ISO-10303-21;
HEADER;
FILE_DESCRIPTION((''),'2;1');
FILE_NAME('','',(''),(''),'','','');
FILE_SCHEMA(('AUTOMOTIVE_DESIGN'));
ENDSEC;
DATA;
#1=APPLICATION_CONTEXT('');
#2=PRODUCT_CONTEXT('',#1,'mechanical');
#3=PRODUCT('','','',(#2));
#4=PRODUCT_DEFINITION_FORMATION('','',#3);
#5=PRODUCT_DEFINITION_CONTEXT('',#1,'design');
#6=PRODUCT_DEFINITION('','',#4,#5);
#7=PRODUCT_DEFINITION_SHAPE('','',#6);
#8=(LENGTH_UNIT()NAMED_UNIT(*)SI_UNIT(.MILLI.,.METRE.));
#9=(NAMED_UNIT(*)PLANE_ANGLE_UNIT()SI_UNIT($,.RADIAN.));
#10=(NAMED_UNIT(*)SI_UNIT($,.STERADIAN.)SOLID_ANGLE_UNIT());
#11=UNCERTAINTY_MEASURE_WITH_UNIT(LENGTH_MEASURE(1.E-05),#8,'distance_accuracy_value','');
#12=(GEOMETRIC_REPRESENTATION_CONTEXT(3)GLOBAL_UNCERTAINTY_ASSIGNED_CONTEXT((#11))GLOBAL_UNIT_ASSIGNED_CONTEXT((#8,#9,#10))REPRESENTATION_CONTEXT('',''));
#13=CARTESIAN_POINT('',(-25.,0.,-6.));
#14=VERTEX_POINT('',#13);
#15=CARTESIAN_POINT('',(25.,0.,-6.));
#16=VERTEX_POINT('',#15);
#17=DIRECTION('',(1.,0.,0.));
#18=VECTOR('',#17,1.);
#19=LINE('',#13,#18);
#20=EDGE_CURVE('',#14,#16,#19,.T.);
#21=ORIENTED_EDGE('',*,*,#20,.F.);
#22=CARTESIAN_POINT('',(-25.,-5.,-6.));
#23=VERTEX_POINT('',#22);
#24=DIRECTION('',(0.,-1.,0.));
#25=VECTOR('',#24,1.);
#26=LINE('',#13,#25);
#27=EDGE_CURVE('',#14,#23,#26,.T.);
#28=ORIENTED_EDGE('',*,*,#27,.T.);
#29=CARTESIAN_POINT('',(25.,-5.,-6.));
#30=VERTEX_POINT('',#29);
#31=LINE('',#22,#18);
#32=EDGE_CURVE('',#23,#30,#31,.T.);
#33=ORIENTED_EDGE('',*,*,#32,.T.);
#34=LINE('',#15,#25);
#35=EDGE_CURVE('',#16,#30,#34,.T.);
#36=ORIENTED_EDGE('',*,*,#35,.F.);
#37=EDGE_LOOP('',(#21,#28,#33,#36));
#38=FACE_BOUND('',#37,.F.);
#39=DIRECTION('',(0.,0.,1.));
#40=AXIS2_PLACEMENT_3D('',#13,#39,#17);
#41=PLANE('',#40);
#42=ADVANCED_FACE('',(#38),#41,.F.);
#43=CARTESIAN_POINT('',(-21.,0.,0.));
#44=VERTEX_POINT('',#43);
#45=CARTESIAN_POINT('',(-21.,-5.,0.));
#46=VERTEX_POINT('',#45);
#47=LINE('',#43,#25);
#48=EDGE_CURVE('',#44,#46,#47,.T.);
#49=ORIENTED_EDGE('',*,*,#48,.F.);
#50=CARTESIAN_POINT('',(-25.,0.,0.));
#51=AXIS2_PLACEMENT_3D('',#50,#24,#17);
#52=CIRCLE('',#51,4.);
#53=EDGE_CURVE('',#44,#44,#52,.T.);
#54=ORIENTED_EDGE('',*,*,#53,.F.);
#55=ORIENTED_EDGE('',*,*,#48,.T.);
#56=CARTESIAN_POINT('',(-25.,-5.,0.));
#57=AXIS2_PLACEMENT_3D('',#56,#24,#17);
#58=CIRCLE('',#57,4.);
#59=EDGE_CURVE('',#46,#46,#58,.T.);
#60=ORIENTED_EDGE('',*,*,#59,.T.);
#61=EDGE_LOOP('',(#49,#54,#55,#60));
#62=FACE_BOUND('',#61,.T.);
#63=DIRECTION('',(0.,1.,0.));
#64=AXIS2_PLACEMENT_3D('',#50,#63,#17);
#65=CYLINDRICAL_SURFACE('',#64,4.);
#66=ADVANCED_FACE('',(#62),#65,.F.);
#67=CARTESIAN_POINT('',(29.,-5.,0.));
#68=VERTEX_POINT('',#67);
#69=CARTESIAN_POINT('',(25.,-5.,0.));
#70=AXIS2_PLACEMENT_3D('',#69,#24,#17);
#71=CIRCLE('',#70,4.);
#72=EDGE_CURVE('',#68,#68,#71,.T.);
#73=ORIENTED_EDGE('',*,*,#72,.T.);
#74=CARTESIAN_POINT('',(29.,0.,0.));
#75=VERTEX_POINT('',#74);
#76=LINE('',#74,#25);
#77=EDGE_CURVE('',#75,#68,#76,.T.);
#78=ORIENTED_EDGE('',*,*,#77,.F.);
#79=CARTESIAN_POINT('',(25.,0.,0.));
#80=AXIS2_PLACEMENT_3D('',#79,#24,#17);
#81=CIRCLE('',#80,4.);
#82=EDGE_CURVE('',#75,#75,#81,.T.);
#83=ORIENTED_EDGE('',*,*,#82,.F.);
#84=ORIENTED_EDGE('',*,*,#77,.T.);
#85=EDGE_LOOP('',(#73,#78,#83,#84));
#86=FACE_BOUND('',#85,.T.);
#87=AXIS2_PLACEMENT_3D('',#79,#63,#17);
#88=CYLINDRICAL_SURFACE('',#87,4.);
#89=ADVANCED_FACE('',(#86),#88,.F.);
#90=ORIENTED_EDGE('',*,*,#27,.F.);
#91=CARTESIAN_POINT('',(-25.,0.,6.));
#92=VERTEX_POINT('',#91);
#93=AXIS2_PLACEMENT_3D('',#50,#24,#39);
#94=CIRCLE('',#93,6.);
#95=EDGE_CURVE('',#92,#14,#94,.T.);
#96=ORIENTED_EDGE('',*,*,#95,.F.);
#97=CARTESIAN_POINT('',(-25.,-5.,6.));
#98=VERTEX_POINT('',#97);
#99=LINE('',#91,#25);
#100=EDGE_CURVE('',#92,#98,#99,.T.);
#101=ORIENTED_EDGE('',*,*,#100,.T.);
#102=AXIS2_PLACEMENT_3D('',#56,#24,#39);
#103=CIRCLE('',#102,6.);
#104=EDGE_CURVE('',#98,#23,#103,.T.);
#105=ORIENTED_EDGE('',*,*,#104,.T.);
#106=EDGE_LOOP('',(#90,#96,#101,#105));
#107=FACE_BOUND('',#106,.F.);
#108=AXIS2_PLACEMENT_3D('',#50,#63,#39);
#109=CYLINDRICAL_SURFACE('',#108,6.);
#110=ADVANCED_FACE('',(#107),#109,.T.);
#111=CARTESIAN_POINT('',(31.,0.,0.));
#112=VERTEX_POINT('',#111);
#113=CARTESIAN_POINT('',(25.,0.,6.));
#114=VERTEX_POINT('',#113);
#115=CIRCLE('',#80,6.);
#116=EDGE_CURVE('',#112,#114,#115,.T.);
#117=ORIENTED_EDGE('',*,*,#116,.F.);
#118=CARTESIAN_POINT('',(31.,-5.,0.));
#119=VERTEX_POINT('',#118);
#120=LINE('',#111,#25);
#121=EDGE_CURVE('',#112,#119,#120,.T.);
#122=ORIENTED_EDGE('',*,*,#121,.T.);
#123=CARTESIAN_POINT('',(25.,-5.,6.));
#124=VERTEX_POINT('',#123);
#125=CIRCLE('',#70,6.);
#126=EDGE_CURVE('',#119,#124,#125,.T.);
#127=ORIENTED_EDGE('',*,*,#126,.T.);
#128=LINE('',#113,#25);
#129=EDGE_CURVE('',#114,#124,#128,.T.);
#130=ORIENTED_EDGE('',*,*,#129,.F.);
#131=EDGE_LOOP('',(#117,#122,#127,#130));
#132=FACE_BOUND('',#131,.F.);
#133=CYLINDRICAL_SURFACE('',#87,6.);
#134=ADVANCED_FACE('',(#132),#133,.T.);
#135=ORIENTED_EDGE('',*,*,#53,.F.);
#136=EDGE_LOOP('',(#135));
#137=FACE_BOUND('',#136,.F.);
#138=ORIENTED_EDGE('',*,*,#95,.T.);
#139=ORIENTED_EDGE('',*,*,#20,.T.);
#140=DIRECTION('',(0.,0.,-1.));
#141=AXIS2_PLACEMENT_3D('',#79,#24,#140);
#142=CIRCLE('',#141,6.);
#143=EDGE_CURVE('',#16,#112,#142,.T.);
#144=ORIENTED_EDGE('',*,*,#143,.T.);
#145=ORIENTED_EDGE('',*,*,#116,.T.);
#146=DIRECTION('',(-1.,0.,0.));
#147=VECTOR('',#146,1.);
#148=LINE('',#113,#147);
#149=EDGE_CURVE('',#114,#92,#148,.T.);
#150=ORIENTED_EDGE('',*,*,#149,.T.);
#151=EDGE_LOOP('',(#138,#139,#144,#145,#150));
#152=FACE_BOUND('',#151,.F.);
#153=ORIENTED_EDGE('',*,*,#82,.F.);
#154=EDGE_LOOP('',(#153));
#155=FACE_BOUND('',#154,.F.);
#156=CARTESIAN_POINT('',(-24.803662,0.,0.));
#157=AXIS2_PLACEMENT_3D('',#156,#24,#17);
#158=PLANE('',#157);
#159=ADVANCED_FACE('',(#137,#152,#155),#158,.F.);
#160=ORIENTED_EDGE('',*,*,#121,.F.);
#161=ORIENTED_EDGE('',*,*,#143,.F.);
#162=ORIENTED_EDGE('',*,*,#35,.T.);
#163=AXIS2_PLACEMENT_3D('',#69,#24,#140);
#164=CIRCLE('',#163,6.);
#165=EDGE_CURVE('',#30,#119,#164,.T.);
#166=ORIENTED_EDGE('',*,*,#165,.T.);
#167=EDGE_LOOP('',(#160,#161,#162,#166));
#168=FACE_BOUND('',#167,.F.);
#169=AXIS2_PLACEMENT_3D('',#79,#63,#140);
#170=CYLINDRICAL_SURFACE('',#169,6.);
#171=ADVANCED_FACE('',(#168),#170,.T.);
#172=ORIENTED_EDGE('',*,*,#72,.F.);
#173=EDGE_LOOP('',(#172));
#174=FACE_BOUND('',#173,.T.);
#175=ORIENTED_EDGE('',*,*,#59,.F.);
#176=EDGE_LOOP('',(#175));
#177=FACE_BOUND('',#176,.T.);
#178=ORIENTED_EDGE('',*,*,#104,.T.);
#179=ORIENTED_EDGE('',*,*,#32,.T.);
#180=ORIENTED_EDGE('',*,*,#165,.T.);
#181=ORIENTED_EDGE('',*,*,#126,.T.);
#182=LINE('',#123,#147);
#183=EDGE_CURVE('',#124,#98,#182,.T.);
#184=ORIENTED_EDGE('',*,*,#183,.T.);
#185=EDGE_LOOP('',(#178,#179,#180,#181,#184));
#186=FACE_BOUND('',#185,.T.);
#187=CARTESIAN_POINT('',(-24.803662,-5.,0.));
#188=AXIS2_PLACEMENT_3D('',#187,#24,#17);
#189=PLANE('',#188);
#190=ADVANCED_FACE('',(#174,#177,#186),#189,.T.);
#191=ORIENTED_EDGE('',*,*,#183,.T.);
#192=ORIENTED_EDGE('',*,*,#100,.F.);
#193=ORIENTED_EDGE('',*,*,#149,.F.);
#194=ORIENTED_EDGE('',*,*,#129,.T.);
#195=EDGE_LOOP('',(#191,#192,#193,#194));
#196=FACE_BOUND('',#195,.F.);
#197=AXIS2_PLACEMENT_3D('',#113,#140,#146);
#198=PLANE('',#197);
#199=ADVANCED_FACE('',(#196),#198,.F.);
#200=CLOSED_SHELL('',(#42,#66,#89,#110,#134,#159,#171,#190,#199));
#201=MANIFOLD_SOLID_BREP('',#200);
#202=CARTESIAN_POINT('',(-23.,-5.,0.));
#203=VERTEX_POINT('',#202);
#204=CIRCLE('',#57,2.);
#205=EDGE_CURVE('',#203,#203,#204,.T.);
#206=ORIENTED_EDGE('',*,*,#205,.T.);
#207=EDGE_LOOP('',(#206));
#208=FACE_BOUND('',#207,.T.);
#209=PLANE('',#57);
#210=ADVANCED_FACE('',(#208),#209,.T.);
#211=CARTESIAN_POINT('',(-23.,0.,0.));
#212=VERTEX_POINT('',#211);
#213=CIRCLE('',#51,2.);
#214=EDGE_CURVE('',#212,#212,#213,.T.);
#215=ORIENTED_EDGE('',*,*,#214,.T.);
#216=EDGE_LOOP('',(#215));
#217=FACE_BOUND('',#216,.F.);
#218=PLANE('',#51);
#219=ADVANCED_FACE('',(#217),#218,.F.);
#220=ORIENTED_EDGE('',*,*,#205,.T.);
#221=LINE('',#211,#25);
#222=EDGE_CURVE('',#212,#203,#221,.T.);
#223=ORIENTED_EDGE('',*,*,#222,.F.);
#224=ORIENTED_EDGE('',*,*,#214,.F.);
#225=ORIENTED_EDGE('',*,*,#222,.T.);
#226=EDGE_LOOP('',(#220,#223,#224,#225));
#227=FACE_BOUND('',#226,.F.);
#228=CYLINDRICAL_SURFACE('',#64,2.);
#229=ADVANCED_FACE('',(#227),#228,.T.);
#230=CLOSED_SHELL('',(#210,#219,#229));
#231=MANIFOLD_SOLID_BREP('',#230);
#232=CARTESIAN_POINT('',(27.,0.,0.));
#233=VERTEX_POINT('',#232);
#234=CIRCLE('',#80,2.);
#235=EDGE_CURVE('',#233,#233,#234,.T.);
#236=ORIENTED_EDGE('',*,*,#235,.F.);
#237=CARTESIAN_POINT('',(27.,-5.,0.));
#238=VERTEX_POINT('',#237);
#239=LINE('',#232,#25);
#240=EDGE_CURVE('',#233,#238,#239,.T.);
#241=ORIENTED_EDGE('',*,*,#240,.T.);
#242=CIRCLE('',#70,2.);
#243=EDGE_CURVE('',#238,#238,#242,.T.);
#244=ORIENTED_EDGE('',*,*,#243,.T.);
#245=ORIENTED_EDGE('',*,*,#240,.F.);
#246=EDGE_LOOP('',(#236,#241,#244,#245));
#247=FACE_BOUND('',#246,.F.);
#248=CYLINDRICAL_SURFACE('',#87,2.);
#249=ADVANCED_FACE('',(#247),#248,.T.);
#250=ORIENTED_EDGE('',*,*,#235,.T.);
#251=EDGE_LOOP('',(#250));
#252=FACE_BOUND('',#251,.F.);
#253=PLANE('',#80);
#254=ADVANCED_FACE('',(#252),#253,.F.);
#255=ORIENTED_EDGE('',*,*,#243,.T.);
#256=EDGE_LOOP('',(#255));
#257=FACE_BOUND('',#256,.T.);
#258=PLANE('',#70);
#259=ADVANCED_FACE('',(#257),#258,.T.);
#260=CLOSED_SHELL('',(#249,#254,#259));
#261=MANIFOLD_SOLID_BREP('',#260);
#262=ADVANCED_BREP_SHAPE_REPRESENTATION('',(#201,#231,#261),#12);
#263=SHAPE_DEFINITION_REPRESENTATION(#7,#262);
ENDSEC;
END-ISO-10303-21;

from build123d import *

# Parameters (mm, degrees)
F0_R     = 2
F1_DEPTH = 5
F0_R_2   = 4


with BuildPart() as f1:
    # F0 (on Front) → F1 (new body)
    with BuildSketch(Plane.XZ):
        with Locations((-25, 0)):
            Circle(F0_R)
    extrude(amount=F1_DEPTH)


with BuildPart() as f1b:
    # F0 (on Front) → F1, piece 2 (new body)
    with BuildSketch(Plane.XZ):
        with BuildLine():
            ThreePointArc((-25, -6), (-20.7573593129, -4.2426406871), (-19, 0))
            ThreePointArc((-19, 0), (-20.7573593129, 4.2426406871), (-25, 6))
            ThreePointArc((-25, 6), (-31, 0), (-25, -6))
        make_face()
        with Locations((-25, 0)):
            Circle(F0_R_2, mode=Mode.SUBTRACT)
        with BuildLine():
            ThreePointArc((-25, 6), (-20.7573593129, 4.2426406871), (-19, 0))
            ThreePointArc((-19, 0), (-20.7573593129, -4.2426406871), (-25, -6))
            Line((-25, -6), (0, -6))
            Line((0, -6), (25, -6))
            ThreePointArc((25, -6), (19, 0), (25, 6))
            Line((25, 6), (0, 6))
            Line((0, 6), (-25, 6))
        make_face()
        with BuildLine():
            ThreePointArc((31, 0), (29.2426406871, 4.2426406871), (25, 6))
            ThreePointArc((25, 6), (19, 0), (25, -6))
            ThreePointArc((25, -6), (29.2426406871, -4.2426406871), (31, 0))
        make_face()
        with Locations((25, 0)):
            Circle(F0_R_2, mode=Mode.SUBTRACT)
    extrude(amount=F1_DEPTH)


with BuildPart() as f1c:
    # F0 (on Front) → F1, piece 3 (new body)
    with BuildSketch(Plane.XZ):
        with Locations((25, 0)):
            Circle(F0_R)
    extrude(amount=F1_DEPTH)


solid = Compound([f1.part, f1b.part, f1c.part])
